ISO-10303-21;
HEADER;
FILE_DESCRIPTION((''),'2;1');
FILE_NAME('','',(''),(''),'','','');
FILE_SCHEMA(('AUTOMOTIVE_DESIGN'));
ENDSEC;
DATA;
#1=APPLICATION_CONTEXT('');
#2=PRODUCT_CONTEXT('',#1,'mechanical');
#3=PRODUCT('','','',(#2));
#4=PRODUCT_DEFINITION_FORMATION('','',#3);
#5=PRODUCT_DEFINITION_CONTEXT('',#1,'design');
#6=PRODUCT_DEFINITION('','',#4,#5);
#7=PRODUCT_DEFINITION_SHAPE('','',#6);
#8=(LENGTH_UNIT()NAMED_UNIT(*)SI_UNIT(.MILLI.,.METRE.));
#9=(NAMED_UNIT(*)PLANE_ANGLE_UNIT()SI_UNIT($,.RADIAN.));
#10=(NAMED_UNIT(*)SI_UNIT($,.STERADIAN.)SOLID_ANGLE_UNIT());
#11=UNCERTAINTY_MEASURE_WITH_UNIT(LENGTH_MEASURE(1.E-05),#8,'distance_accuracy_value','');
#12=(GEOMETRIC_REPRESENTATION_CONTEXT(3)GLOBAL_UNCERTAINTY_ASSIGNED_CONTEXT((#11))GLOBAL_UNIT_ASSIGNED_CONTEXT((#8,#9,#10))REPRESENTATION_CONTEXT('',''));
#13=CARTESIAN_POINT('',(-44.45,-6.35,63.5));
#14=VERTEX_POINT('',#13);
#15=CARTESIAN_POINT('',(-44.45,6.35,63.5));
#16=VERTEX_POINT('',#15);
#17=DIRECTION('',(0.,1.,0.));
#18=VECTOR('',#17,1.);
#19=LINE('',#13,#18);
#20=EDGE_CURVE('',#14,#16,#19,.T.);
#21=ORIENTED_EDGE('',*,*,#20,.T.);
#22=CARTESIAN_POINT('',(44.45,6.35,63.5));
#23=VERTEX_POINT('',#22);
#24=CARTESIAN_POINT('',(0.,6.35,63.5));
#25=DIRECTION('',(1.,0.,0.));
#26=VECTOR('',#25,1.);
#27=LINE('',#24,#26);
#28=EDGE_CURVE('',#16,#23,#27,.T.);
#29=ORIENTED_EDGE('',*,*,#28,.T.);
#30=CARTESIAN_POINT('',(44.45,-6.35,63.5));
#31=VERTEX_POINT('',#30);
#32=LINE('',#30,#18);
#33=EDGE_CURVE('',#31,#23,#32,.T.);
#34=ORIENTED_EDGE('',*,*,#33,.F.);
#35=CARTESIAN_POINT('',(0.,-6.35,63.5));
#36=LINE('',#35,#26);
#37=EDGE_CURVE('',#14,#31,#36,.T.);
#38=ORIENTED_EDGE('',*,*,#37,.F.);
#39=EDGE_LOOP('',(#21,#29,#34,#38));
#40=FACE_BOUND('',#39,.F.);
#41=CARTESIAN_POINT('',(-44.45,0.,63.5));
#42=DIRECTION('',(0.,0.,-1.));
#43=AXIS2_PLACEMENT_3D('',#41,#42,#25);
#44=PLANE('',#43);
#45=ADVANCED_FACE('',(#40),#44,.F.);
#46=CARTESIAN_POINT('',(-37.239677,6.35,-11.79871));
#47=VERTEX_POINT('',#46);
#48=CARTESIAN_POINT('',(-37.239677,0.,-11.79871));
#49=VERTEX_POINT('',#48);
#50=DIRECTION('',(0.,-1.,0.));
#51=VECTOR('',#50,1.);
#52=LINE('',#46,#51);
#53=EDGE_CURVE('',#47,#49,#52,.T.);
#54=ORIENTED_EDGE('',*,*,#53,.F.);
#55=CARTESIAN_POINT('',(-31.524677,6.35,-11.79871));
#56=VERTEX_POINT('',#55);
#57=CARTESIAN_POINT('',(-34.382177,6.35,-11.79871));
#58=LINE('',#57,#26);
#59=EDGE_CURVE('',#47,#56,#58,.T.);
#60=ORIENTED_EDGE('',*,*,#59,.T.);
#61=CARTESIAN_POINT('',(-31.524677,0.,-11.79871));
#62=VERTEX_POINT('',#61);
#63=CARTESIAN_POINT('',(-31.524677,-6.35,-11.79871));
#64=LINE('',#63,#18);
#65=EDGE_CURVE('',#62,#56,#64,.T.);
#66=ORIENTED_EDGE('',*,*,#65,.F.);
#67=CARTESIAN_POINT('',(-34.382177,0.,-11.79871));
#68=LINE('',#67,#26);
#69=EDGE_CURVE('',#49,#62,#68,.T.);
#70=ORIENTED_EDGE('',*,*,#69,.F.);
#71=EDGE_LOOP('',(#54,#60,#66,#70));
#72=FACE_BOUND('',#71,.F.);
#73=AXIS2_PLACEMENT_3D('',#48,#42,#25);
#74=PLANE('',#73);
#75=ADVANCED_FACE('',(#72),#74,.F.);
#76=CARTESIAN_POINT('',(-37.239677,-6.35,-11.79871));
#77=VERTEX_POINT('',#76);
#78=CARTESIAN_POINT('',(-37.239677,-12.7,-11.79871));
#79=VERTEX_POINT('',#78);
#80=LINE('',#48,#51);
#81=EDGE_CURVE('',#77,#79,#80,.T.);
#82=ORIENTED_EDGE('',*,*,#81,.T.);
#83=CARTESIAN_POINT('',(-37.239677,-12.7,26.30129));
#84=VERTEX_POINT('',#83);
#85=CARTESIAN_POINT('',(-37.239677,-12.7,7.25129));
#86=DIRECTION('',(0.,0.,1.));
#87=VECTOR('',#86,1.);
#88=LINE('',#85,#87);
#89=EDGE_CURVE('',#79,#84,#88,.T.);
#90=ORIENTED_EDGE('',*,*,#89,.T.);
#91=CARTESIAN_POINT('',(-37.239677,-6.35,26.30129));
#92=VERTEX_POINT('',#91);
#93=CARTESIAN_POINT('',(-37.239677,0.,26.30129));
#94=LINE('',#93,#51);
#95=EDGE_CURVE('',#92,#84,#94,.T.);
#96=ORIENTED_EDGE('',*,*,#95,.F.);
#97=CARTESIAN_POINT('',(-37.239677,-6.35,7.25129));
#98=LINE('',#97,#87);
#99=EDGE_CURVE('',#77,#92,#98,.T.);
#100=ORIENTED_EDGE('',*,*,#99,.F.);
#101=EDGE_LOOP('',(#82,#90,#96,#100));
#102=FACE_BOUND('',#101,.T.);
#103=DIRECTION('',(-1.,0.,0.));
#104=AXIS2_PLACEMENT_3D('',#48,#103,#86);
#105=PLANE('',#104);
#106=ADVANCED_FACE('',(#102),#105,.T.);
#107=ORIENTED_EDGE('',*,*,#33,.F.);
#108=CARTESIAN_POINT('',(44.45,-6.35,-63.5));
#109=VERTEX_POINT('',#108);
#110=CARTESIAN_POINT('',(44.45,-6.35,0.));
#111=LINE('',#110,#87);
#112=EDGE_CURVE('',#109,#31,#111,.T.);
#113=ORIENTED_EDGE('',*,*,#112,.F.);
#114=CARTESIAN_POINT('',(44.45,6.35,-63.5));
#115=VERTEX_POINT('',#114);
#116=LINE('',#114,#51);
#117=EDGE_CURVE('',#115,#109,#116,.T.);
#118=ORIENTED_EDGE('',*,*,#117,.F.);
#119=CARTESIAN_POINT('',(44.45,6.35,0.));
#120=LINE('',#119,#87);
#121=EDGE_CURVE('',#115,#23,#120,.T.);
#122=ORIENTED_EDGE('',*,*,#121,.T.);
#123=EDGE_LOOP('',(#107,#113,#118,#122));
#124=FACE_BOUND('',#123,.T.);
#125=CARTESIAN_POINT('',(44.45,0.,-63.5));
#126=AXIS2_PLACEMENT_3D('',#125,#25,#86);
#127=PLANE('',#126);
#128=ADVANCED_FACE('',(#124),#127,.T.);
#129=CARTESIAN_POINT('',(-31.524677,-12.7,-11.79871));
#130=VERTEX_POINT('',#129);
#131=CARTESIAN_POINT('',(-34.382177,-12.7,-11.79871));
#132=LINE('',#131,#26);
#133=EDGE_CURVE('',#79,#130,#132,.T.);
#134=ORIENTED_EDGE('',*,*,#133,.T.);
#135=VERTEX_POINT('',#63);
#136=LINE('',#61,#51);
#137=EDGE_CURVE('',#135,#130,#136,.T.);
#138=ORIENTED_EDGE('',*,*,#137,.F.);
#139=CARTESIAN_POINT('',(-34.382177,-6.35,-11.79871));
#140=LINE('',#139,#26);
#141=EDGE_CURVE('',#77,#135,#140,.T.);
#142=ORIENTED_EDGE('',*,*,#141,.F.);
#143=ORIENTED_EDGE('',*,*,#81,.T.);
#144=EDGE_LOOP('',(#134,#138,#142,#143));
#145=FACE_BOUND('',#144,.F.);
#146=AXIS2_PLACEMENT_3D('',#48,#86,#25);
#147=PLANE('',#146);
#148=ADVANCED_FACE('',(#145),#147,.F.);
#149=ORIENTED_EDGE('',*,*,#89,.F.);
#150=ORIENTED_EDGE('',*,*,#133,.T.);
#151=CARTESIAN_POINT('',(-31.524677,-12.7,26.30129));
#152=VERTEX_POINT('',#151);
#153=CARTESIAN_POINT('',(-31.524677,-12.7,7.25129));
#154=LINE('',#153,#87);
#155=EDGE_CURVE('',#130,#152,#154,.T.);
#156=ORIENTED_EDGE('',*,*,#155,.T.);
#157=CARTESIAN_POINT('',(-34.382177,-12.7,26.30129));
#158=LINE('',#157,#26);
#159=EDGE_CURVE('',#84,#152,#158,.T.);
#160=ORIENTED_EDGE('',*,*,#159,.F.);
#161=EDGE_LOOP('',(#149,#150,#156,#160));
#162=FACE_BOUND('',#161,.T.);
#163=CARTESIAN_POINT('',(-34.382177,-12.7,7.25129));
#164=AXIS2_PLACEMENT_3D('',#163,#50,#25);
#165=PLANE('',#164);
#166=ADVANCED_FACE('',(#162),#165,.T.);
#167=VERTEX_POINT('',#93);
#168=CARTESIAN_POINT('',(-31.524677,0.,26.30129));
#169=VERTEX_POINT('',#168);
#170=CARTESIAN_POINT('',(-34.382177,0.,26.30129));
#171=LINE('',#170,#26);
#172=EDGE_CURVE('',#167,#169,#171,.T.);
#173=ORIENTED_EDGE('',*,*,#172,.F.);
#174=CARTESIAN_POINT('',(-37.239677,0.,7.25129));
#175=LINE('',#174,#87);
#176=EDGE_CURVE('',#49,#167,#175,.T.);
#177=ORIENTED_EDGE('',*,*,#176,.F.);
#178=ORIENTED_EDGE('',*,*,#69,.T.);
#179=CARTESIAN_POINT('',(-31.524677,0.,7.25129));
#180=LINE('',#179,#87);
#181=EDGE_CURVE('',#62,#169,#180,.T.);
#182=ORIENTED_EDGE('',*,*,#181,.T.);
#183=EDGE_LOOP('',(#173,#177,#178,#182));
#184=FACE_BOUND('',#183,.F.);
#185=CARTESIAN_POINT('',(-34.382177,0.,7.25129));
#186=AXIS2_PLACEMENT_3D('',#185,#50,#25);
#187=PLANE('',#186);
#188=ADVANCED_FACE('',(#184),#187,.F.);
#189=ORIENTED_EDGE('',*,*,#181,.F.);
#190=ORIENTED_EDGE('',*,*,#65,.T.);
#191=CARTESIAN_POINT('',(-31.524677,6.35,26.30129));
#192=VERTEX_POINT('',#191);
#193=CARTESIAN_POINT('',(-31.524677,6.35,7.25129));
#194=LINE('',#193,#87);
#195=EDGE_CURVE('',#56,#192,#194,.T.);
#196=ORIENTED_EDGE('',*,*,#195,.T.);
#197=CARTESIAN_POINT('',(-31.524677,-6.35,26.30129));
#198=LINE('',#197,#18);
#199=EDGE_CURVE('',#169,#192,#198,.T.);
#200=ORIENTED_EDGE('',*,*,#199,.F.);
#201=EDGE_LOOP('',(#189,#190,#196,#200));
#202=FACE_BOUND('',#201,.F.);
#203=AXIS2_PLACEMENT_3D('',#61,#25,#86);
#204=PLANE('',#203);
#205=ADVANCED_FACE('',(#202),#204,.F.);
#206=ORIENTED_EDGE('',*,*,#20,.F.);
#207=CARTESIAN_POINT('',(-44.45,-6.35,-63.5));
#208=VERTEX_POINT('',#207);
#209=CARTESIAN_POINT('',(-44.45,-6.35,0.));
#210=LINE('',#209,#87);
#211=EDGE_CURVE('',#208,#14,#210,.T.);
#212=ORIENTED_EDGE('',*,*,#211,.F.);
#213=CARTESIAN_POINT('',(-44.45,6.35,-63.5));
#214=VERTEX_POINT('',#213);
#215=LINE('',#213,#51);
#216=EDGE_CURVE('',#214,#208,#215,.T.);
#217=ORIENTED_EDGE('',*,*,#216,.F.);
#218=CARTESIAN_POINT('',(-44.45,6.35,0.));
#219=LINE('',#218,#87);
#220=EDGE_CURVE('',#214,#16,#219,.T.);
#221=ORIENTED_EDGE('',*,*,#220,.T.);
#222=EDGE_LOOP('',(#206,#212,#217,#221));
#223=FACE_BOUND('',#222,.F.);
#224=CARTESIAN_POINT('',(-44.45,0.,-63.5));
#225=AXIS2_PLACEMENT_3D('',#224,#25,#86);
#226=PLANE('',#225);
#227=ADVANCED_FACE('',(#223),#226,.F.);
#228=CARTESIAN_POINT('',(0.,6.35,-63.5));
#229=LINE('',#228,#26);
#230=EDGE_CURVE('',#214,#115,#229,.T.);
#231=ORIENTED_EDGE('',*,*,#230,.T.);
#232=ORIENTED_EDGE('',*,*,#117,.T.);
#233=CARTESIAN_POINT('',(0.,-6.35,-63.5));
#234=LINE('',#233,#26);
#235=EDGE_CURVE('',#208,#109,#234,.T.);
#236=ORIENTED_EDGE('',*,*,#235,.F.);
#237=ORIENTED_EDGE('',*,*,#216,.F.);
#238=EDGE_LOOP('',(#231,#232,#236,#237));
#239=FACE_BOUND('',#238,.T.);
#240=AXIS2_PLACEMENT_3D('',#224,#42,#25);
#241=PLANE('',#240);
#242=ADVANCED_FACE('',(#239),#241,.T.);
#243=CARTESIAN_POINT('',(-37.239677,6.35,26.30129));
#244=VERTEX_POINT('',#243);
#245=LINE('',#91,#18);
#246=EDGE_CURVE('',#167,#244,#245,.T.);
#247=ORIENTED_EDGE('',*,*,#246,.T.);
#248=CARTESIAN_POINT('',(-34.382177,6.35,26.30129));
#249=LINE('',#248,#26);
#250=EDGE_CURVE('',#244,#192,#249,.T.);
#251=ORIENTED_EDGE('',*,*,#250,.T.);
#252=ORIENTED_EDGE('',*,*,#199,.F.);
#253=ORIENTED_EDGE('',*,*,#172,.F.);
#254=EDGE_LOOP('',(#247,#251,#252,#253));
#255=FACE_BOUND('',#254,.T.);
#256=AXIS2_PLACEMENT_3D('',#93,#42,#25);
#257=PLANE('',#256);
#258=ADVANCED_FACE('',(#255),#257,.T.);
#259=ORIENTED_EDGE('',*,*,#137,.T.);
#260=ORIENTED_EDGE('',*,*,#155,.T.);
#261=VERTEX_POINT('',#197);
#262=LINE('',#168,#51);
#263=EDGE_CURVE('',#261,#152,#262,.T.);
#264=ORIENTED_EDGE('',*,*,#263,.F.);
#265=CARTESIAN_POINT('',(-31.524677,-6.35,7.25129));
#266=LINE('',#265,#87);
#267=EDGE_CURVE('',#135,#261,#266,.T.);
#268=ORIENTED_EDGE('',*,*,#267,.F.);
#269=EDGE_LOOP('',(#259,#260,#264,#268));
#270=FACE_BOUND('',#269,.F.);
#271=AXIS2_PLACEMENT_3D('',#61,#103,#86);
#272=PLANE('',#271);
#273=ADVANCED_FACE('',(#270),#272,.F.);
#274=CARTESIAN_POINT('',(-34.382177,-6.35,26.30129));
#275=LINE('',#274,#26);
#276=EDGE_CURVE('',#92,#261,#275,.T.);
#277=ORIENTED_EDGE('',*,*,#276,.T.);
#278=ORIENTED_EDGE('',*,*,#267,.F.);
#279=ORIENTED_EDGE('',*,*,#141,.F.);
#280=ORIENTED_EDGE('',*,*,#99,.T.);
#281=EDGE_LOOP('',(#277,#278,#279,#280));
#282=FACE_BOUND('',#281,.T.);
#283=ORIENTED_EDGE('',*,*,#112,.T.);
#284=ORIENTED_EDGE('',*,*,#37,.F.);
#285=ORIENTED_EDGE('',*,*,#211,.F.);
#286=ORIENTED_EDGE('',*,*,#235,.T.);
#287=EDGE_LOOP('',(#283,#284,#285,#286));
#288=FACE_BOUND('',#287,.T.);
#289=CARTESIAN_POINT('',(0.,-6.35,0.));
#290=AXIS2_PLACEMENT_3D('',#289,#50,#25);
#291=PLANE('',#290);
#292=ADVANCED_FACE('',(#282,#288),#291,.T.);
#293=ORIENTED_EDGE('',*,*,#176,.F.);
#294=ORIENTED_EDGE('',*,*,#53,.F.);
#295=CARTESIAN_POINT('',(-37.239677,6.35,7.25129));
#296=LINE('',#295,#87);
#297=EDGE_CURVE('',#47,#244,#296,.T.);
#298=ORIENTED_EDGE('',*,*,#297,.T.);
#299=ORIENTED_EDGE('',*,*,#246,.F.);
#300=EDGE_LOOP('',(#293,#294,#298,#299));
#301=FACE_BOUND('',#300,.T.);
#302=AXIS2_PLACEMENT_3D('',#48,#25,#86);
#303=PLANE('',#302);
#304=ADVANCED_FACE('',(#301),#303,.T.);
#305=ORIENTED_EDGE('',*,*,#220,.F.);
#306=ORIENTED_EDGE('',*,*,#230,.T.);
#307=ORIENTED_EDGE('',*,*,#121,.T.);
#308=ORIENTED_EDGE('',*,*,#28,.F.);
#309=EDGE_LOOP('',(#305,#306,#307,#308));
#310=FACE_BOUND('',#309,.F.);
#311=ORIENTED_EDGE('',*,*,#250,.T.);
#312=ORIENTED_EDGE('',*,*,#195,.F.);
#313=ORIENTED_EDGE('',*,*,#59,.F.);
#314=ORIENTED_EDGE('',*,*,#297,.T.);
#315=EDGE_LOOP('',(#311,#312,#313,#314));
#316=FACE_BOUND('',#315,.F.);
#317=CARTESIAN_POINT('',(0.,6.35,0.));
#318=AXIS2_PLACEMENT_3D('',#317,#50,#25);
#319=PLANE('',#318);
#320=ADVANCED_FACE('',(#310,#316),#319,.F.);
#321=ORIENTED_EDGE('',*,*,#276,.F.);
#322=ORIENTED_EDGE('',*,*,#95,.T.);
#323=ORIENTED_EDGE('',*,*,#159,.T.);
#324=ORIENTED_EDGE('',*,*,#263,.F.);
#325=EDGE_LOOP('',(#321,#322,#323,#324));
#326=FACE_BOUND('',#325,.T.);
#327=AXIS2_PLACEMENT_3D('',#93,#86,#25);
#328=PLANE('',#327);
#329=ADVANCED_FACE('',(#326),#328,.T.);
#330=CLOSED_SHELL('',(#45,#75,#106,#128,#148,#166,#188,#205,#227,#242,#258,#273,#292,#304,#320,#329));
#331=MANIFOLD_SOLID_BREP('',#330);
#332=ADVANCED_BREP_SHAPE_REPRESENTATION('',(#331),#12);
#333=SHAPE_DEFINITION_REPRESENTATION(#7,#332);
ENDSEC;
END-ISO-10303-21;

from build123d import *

# Parameters (mm, degrees)
F0_W     = 88.9
F0_H     = 127
F0_W_2   = 5.715001
F0_H_2   = 38.1
F1_DEPTH = 6.35
F2_DEPTH = 12.7


with BuildPart() as f1:
    # F0 (on Front) → F1 (new body, symmetric)
    with BuildSketch(Plane.XZ):
        Rectangle(F0_W, F0_H)
        with Locations((-34.382177, 7.25129)):
            Rectangle(F0_W_2, F0_H_2, mode=Mode.SUBTRACT)
    extrude(amount=F1_DEPTH, both=True)

    # F0 (on Front) → F2 (join)
    with BuildSketch(Plane.XZ):
        with Locations((-34.382177, 7.25129)):
            Rectangle(F0_W_2, F0_H_2)
    extrude(amount=F2_DEPTH)


solid = f1.part
